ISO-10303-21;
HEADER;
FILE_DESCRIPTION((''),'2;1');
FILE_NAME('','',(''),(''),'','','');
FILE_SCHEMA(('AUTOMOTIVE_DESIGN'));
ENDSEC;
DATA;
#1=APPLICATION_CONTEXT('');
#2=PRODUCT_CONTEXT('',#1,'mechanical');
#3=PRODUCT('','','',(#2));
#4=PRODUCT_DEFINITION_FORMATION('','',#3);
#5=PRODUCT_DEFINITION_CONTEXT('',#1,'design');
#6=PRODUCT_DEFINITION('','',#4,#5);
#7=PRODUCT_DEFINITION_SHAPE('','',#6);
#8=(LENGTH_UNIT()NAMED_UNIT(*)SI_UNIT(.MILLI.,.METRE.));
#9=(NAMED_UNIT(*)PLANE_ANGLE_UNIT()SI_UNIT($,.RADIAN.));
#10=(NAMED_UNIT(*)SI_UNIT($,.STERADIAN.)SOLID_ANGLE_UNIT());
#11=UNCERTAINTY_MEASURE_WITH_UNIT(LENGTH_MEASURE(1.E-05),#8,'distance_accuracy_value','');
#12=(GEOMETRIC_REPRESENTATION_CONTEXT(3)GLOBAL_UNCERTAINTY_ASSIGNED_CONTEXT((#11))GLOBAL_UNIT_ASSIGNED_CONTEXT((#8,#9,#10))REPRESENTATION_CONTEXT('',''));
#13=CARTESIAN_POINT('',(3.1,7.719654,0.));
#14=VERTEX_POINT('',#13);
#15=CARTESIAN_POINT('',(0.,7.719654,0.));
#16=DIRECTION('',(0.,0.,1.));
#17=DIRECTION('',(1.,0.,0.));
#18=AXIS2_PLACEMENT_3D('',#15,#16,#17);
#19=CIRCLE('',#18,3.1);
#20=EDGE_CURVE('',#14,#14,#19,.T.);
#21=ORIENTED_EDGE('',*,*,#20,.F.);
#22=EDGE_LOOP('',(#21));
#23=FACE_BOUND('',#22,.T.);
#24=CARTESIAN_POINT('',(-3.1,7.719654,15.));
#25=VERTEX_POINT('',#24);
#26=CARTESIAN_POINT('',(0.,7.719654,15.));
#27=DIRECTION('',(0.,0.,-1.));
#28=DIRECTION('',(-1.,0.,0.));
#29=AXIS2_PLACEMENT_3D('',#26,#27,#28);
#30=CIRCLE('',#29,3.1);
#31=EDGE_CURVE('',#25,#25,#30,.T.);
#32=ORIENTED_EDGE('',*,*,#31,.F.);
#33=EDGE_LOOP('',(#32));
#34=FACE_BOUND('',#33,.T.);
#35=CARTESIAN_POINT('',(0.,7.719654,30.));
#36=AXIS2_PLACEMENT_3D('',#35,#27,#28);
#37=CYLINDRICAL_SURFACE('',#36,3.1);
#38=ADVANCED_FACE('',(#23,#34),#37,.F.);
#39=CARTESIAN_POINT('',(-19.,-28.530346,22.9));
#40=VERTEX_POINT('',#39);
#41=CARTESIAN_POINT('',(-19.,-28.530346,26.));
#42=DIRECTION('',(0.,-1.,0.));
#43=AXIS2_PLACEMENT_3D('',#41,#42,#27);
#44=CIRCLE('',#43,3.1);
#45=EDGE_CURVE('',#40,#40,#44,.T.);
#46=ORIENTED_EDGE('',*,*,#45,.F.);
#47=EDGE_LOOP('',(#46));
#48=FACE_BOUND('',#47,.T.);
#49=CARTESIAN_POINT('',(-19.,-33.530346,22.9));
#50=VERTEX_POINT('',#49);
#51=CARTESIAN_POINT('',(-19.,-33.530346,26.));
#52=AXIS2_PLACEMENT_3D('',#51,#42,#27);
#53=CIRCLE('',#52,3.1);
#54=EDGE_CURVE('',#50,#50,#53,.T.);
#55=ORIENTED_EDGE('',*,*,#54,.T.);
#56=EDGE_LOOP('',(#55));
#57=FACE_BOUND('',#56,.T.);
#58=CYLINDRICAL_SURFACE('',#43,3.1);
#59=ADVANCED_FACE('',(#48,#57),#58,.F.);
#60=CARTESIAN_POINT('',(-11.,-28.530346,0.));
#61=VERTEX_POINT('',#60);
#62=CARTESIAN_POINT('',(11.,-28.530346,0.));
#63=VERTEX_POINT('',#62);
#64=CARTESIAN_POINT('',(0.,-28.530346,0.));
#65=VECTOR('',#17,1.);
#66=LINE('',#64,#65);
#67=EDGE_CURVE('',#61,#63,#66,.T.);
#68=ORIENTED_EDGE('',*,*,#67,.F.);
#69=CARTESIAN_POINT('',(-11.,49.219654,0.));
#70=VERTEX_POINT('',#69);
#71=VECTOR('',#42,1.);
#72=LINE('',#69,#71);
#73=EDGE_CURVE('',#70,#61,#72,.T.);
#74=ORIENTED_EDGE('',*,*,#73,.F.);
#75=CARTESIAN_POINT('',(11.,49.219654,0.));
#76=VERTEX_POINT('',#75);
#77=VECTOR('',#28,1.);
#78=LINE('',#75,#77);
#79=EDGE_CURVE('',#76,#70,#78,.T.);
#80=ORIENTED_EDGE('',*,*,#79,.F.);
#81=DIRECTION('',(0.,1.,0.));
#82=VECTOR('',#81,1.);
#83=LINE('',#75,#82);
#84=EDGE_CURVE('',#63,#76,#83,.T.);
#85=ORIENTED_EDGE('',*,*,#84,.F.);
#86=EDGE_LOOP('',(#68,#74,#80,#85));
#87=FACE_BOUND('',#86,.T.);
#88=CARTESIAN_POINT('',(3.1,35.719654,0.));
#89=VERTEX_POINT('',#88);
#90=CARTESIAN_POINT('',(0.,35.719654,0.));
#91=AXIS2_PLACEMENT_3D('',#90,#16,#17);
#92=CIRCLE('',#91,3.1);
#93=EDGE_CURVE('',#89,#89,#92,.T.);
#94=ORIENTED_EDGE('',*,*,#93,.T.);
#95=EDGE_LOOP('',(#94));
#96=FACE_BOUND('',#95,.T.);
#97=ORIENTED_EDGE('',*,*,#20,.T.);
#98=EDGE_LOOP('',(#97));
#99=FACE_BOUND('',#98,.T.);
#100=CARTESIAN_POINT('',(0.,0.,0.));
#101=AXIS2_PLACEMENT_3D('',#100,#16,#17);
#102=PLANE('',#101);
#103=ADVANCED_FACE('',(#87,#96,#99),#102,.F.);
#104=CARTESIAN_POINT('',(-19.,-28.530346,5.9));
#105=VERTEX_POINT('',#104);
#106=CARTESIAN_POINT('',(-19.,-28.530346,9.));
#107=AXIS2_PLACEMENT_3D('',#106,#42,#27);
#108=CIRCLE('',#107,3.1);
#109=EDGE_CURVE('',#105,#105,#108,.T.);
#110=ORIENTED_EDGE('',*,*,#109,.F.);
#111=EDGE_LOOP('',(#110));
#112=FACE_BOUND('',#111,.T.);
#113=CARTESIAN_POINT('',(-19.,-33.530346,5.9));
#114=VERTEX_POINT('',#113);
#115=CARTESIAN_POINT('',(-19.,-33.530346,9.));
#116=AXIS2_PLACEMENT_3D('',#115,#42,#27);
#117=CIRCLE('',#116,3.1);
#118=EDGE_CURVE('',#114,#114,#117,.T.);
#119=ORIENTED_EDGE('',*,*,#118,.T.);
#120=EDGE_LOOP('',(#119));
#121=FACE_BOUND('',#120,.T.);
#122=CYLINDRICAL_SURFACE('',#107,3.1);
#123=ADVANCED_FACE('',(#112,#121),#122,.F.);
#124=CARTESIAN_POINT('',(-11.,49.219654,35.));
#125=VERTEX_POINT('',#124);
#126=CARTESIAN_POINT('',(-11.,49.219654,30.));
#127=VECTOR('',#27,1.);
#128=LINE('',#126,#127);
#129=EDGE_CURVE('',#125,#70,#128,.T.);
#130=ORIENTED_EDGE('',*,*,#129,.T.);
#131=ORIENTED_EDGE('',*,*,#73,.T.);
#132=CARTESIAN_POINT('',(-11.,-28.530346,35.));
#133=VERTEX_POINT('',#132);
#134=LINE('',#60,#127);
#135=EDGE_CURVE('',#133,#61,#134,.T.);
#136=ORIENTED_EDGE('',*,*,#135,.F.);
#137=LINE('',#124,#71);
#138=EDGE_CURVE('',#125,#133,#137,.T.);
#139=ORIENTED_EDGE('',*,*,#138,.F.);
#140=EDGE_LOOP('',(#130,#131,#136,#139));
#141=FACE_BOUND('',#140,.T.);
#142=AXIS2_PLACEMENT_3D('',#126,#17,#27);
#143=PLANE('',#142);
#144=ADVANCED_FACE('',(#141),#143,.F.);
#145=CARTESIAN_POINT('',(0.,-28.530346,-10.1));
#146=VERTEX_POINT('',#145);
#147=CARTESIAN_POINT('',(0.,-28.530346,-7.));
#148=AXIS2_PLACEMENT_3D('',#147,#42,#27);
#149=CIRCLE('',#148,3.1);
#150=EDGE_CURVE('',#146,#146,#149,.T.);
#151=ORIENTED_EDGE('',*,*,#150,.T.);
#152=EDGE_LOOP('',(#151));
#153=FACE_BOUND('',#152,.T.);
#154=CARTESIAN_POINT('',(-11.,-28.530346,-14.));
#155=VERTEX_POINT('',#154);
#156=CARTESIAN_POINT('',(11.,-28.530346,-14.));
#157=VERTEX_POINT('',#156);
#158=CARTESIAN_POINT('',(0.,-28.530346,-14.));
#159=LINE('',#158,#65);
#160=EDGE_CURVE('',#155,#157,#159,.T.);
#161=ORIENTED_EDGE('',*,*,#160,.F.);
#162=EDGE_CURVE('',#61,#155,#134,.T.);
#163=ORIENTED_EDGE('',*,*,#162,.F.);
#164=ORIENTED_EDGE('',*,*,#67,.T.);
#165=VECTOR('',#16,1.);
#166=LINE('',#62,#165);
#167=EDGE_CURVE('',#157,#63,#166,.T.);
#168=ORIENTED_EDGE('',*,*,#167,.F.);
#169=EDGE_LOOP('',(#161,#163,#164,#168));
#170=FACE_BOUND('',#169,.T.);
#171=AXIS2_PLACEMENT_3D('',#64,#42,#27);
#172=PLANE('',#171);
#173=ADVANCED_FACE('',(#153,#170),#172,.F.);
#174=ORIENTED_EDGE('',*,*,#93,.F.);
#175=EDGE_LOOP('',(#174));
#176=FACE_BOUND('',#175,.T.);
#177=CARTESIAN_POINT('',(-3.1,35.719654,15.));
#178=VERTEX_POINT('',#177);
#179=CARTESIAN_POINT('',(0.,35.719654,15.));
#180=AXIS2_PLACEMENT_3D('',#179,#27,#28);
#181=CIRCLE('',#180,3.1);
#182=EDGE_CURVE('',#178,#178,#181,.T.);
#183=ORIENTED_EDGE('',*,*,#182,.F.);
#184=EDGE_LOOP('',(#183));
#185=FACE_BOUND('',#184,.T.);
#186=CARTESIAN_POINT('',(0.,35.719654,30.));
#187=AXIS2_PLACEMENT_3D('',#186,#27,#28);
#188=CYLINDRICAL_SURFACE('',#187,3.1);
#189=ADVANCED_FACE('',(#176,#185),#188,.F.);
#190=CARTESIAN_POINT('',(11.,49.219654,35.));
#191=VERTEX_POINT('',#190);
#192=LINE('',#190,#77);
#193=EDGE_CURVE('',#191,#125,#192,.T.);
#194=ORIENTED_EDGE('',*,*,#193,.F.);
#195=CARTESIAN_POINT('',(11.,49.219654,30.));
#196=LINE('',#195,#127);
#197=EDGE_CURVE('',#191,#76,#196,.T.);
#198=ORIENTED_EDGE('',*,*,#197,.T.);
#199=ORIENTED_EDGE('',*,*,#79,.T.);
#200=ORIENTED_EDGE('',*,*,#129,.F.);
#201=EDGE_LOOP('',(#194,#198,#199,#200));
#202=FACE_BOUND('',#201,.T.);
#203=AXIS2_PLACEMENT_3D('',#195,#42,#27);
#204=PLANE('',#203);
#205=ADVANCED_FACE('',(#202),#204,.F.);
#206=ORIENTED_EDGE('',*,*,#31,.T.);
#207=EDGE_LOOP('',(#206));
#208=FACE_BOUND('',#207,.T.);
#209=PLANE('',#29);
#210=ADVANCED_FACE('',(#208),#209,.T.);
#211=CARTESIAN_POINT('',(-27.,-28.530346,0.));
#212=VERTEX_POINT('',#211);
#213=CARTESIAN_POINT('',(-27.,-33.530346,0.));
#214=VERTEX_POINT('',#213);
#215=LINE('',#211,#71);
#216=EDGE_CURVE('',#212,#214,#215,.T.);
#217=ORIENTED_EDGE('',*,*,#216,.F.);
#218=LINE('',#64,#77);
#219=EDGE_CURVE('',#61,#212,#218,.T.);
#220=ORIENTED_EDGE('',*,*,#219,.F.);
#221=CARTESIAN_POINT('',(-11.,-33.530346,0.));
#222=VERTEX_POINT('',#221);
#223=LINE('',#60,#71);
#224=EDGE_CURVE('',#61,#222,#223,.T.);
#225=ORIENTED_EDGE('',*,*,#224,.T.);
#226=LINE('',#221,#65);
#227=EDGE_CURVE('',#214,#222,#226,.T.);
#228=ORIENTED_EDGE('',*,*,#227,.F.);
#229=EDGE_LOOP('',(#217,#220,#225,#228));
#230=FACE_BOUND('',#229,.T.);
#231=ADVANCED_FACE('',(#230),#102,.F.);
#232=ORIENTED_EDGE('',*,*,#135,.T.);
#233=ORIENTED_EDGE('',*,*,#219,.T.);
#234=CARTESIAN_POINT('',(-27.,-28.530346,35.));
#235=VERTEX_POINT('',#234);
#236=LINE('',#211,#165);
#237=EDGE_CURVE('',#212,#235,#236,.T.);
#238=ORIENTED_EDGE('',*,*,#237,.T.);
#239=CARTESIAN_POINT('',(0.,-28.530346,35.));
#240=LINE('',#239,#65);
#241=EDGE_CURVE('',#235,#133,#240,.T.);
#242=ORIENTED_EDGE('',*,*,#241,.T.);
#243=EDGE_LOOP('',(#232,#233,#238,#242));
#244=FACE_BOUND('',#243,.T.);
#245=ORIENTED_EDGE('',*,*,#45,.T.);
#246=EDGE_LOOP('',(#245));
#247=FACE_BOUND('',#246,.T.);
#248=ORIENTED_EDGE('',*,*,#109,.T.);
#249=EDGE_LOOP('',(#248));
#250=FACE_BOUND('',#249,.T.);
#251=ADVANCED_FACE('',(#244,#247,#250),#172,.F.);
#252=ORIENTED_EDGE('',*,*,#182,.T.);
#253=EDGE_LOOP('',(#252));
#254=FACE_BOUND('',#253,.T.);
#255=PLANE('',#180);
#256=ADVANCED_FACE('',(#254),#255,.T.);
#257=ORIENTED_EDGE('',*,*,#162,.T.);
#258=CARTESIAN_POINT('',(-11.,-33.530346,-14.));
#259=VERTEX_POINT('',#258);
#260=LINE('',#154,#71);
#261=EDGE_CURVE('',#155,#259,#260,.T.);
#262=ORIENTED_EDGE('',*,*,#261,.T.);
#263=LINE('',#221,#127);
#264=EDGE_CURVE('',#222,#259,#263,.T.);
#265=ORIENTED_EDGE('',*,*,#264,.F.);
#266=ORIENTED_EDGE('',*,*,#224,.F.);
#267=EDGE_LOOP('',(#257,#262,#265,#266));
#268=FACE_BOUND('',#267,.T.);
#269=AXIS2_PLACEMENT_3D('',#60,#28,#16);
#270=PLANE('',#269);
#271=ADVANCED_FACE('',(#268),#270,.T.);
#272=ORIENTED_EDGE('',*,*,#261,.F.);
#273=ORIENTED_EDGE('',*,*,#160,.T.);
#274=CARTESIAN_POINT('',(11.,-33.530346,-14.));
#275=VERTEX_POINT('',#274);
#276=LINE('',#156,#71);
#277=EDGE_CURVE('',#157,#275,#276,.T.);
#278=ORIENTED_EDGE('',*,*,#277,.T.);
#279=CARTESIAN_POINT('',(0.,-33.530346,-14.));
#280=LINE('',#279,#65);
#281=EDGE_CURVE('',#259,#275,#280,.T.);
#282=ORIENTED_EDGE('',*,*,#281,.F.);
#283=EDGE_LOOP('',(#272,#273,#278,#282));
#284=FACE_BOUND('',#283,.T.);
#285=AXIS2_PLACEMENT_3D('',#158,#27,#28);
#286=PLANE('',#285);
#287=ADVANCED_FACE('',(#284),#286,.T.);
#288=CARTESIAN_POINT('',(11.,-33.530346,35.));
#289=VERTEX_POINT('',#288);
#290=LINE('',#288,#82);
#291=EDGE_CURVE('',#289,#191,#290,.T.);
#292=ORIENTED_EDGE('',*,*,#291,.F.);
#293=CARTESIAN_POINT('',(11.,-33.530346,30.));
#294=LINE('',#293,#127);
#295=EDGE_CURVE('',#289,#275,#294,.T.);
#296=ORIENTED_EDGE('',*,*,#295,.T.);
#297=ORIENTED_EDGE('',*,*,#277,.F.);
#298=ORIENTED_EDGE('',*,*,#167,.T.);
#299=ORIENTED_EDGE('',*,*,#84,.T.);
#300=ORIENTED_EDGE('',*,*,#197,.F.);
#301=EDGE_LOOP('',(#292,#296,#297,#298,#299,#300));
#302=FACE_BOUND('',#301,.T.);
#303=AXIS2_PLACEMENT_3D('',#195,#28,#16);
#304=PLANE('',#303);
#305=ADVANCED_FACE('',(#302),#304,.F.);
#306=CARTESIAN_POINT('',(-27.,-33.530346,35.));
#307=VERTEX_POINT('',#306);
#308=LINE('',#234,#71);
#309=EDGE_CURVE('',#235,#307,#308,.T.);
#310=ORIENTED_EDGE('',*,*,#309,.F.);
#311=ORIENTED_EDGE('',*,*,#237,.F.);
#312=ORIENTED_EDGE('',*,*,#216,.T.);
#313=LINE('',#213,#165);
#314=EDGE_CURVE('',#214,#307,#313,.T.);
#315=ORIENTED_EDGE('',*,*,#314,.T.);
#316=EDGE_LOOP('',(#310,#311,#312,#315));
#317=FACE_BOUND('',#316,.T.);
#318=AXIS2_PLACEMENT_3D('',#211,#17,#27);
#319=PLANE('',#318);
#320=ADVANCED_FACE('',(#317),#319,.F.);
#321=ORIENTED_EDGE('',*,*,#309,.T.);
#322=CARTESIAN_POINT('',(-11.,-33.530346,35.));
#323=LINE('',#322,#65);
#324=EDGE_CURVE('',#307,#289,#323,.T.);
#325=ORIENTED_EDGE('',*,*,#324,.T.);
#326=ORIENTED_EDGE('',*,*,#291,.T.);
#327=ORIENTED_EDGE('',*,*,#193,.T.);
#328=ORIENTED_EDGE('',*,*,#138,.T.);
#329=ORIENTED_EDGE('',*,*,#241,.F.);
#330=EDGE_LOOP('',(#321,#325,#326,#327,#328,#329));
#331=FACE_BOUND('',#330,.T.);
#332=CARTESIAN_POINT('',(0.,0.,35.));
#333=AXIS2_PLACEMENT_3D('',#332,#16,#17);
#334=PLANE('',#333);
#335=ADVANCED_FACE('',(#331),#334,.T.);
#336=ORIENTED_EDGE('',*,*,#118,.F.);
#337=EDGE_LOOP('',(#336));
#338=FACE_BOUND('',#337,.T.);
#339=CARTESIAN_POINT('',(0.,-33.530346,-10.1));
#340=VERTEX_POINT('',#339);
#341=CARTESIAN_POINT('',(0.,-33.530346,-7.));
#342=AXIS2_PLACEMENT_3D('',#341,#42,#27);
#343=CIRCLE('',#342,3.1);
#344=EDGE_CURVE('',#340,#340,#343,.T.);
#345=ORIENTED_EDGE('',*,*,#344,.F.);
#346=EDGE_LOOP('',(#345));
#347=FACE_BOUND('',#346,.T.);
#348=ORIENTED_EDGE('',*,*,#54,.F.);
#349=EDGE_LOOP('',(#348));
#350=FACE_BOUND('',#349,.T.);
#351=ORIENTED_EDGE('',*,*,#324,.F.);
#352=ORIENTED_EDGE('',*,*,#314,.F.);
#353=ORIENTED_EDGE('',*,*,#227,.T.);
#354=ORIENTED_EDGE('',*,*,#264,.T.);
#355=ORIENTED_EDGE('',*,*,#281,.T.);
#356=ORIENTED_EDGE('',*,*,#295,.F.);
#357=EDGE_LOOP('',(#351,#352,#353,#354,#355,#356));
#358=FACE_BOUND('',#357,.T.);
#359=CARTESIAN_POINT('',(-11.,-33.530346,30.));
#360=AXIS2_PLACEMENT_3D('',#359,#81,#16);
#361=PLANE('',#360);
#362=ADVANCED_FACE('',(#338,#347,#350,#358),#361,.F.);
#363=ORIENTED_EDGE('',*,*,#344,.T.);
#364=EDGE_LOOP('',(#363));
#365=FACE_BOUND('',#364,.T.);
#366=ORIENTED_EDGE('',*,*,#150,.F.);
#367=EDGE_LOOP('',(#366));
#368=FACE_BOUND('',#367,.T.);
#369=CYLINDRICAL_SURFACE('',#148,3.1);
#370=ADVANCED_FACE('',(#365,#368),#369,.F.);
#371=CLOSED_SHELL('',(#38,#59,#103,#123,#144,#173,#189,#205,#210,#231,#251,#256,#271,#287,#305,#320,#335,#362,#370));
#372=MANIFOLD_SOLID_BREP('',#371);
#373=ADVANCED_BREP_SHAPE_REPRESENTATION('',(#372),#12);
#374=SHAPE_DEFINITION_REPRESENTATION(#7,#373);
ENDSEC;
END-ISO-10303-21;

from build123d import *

# Parameters (mm, degrees)
SKETCH1_W           = 22
SKETCH1_H           = 82.75
SKETCH1_R           = 3.1
BOSS_EXTRUDE1_DEPTH = 30
SKETCH2_W           = 22
SKETCH2_H           = 82.75
BOSS_EXTRUDE2_DEPTH = 5
SKETCH3_W           = 16
SKETCH3_H           = 35
SKETCH3_R           = 3.1
SKETCH3_W_2         = 22
SKETCH3_H_2         = 14
BOSS_EXTRUDE3_DEPTH = 5
BOSS_EXTRUDE5_START = 15
SKETCH5_R           = 3.1
BOSS_EXTRUDE5_DEPTH = 15


with BuildPart() as part:
    # Sketch1 → Boss-Extrude1 (new body)
    with BuildSketch(Plane.XY):
        with Locations((0, 7.844654309)):
            Rectangle(SKETCH1_W, SKETCH1_H)
        with Locations((0, 35.719654309)):
            Circle(SKETCH1_R, mode=Mode.SUBTRACT)
        with Locations((0, 7.719654309)):
            Circle(SKETCH1_R, mode=Mode.SUBTRACT)
    extrude(amount=BOSS_EXTRUDE1_DEPTH)

    # Sketch2 → Boss-Extrude2 (add)
    with BuildSketch(Plane.XY.offset(30)):
        with Locations((0, 7.844654309)):
            Rectangle(SKETCH2_W, SKETCH2_H)
    extrude(amount=BOSS_EXTRUDE2_DEPTH)

    # Sketch3 → Boss-Extrude3 (add)
    # profile 1 of 2: a face of its own
    with BuildSketch(Plane.XZ.offset(33.530345691)):
        with Locations((-19, 17.5)):
            Rectangle(SKETCH3_W, SKETCH3_H)
        with Locations(Location((-19, 26, 0), (0, 0, 270))):
            Circle(SKETCH3_R, mode=Mode.SUBTRACT)
        with Locations(Location((-19, 9, 0), (0, 0, 270))):
            Circle(SKETCH3_R, mode=Mode.SUBTRACT)
    # profile 2 of 2: a face of its own
    with BuildSketch(Plane.XZ.offset(33.530345691)):
        with Locations((0, -7)):
            Rectangle(SKETCH3_W_2, SKETCH3_H_2)
        with Locations(Location((0, -7, 0), (0, 0, 270))):
            Circle(SKETCH3_R, mode=Mode.SUBTRACT)
    extrude(amount=-BOSS_EXTRUDE3_DEPTH)

    # Sketch5 → Boss-Extrude5 (add)
    with BuildSketch(Plane(origin=(0, 0, 30), x_dir=(-1, 0, 0), z_dir=(0, 0, -1)).offset(BOSS_EXTRUDE5_START)):
        with Locations((0, 7.719654309)):
            Circle(SKETCH5_R)
        with Locations((0, 35.719654309)):
            Circle(SKETCH5_R)
    extrude(amount=-BOSS_EXTRUDE5_DEPTH)


solid = part.part
